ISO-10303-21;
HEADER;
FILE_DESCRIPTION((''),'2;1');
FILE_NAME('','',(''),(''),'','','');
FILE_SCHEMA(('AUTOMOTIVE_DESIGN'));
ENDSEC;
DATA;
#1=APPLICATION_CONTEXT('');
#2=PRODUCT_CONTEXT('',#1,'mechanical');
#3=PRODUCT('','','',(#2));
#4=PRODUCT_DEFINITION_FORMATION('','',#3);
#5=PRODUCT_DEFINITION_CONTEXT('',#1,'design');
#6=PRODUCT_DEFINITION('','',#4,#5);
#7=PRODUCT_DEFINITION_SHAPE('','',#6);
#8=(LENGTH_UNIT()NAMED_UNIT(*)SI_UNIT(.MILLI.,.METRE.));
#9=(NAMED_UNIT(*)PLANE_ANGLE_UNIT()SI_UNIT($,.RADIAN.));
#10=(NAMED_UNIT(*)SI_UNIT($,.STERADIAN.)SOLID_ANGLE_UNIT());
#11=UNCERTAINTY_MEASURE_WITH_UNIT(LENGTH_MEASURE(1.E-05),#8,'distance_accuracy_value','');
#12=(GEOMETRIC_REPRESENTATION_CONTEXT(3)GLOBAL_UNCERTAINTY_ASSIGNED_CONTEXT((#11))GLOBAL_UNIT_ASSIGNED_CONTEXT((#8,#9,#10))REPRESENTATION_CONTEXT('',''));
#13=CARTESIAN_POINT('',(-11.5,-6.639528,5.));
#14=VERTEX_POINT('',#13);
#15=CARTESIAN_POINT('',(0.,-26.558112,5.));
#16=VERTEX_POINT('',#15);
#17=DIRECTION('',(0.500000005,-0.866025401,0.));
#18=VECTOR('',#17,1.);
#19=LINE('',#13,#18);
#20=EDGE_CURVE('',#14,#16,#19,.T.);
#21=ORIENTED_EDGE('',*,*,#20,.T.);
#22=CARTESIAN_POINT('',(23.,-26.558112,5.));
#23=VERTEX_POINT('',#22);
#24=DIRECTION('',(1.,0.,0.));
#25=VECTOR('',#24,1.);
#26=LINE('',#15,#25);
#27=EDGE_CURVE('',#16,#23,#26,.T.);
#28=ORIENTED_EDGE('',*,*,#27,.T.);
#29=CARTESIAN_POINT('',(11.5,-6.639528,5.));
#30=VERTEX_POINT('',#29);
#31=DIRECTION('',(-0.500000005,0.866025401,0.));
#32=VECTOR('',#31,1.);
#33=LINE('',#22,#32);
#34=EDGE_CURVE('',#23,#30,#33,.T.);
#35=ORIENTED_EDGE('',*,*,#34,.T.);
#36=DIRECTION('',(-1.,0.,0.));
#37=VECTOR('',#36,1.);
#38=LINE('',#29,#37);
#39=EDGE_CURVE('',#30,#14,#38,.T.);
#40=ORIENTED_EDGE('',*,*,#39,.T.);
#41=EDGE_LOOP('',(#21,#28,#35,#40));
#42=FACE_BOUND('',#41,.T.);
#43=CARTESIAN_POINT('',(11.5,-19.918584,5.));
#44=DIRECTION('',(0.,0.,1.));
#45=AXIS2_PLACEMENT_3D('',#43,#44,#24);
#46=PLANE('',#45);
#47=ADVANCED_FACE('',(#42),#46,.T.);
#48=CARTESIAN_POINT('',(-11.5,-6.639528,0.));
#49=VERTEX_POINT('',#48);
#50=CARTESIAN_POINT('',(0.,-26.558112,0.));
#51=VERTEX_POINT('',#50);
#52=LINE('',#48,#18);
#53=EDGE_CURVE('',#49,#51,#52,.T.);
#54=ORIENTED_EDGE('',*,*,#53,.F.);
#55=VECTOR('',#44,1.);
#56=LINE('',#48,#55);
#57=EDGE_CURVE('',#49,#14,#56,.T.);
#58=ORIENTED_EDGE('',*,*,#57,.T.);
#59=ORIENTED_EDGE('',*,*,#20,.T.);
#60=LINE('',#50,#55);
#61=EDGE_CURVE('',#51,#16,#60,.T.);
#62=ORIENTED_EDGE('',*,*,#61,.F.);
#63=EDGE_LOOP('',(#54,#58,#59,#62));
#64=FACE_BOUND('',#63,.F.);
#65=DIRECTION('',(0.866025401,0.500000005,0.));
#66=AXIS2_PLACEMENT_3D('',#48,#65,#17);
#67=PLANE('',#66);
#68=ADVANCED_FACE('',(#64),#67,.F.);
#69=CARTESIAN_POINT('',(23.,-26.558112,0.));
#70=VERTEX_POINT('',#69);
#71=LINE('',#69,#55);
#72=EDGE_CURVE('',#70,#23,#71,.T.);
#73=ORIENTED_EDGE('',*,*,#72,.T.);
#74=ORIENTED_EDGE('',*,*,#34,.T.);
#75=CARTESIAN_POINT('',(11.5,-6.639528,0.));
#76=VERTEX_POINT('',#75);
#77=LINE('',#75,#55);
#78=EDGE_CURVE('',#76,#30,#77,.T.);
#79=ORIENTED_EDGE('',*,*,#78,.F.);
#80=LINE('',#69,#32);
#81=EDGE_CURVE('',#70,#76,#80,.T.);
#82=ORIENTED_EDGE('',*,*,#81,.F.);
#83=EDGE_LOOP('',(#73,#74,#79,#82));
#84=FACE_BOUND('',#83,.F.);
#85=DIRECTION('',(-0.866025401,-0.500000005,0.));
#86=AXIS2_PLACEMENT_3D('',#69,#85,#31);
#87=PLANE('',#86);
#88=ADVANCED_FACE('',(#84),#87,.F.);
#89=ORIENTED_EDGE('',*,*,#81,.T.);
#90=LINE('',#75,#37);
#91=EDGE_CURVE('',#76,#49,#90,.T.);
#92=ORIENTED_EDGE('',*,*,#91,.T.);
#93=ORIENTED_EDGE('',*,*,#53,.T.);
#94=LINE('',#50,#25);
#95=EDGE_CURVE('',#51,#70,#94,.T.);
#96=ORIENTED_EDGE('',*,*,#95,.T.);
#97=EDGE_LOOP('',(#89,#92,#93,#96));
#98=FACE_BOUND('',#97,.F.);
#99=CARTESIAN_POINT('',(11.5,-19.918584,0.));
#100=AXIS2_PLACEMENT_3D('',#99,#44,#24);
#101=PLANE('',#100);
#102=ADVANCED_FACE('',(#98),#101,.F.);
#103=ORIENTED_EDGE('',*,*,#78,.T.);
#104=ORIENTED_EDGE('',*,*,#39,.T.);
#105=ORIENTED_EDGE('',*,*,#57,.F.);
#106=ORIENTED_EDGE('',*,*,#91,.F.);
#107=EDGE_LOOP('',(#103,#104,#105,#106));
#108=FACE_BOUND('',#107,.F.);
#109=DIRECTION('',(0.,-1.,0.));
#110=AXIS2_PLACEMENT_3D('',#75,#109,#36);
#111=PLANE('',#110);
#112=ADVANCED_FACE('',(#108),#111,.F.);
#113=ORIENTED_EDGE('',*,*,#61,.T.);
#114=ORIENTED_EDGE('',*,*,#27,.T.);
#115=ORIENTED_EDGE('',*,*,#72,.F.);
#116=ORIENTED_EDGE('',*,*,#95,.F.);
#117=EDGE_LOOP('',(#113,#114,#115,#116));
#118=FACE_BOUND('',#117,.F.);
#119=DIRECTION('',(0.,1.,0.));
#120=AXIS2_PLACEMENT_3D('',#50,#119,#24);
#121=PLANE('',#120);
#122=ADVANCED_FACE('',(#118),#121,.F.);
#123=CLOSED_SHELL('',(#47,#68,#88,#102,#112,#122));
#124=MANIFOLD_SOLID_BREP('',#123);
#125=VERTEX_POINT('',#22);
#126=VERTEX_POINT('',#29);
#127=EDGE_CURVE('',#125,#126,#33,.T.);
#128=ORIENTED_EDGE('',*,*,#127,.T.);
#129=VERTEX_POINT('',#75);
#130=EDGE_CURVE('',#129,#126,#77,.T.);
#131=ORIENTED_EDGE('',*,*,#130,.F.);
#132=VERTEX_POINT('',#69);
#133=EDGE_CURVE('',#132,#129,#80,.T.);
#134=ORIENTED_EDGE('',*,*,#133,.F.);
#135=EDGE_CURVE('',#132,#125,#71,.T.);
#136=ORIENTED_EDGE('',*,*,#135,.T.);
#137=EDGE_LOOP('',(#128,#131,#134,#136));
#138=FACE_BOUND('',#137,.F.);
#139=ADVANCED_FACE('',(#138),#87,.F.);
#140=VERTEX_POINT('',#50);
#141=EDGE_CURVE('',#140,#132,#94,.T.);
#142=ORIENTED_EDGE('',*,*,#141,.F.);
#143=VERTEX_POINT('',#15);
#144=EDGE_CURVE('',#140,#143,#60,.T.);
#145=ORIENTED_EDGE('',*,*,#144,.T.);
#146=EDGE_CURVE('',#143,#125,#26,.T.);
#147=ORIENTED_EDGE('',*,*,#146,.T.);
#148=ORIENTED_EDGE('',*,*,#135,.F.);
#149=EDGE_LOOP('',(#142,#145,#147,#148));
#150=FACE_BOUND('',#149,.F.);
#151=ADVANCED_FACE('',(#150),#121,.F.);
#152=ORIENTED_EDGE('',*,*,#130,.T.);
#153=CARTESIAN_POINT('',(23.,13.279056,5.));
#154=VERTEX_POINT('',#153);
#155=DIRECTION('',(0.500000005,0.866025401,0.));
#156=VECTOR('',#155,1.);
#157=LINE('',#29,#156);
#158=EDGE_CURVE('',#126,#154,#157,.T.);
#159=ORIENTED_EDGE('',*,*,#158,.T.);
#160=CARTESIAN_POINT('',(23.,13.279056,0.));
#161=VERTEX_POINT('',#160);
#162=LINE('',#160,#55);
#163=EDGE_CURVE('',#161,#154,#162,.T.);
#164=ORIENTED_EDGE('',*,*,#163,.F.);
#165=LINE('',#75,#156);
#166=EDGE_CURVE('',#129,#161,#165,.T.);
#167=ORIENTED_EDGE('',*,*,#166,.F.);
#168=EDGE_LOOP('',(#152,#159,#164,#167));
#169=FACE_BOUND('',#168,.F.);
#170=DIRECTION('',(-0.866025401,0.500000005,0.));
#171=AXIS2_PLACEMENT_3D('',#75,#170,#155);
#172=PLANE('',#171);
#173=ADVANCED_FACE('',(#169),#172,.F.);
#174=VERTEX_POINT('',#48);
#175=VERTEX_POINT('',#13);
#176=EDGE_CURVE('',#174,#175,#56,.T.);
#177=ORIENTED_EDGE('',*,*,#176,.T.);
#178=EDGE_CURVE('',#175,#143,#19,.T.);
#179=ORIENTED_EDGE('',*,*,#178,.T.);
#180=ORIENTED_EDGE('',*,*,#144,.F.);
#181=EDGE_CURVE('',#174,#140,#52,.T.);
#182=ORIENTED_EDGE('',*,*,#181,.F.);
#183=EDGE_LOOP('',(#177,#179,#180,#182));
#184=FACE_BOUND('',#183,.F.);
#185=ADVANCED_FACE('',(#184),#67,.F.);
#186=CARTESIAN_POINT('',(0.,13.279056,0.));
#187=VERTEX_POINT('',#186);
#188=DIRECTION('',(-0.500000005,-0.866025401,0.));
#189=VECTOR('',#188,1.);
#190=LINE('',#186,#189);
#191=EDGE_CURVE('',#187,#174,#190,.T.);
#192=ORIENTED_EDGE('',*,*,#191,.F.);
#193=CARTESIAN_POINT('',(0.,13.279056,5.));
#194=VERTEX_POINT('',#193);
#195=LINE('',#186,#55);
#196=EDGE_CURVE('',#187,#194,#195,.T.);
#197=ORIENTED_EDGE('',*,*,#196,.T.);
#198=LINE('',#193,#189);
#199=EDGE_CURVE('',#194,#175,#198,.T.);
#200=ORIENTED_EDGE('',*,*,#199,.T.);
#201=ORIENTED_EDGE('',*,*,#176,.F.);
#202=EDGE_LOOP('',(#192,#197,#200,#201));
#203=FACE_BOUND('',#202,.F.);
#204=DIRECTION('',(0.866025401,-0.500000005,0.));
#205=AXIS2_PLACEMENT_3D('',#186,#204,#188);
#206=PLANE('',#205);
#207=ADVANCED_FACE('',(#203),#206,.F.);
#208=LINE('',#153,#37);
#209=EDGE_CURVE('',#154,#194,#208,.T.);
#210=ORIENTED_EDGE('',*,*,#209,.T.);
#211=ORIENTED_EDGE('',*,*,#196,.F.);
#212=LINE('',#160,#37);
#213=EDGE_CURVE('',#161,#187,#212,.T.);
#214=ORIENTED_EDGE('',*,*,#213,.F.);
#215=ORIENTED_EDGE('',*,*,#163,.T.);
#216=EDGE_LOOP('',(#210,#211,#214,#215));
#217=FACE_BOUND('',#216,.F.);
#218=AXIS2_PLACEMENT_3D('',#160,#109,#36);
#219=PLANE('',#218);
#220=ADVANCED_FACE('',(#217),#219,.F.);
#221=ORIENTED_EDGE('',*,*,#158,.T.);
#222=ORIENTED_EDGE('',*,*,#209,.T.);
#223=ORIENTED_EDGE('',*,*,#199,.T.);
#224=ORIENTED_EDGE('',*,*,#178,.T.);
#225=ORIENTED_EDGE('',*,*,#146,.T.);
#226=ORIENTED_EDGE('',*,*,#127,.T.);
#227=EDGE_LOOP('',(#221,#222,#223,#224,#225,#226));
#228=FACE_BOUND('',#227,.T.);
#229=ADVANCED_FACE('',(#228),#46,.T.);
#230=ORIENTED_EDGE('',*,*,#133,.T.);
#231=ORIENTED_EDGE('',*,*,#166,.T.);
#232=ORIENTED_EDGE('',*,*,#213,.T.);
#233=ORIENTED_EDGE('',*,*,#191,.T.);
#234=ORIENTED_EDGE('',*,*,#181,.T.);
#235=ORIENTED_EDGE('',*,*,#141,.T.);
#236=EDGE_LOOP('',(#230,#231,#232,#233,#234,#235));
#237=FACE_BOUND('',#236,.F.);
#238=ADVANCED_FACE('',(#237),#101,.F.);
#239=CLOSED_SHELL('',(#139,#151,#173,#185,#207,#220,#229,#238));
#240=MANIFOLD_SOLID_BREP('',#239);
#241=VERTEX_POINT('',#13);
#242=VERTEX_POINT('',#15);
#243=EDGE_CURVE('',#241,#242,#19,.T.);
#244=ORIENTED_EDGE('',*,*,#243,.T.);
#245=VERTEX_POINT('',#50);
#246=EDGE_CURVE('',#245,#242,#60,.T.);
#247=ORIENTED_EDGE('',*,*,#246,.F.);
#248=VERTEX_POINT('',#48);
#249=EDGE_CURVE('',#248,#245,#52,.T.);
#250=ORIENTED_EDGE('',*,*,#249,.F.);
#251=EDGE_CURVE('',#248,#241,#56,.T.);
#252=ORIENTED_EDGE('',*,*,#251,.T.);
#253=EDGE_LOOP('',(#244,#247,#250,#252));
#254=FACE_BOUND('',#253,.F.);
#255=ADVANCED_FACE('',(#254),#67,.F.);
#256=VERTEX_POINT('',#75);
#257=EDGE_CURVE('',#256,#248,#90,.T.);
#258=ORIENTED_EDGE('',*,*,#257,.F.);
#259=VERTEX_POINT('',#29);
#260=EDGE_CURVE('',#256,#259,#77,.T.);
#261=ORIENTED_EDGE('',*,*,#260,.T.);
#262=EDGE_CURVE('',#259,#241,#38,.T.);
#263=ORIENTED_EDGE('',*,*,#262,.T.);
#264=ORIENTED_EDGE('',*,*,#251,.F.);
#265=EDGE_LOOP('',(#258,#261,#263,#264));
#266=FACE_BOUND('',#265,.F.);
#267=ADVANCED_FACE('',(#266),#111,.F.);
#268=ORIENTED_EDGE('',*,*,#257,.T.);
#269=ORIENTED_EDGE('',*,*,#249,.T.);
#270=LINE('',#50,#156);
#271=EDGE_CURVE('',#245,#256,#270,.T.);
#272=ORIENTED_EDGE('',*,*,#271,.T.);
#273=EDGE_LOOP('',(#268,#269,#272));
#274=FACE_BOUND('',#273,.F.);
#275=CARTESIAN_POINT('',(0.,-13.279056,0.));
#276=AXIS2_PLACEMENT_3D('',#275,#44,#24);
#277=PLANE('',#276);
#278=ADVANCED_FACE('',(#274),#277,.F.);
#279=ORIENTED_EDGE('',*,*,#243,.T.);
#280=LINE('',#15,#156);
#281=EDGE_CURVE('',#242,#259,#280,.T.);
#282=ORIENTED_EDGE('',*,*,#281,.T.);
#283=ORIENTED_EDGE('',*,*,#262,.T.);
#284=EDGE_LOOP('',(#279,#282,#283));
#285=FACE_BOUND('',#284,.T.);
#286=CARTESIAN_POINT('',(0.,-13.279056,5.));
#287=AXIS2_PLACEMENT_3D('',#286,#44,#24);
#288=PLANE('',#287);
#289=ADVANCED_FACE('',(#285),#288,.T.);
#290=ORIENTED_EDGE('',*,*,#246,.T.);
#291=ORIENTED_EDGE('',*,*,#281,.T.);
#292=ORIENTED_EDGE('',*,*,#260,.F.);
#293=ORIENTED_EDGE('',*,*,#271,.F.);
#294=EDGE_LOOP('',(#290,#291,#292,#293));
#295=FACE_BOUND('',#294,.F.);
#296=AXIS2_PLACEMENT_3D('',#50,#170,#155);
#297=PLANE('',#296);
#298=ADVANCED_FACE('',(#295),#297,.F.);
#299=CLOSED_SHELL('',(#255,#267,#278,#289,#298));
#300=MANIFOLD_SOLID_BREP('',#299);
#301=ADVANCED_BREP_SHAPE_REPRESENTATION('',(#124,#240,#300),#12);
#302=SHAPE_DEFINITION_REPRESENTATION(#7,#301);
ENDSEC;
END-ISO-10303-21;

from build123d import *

# Parameters (mm, degrees)
F1_DEPTH = 5
F2_DEPTH = 5
F3_DEPTH = 5


with BuildPart() as f1:
    # F0 (on Top) → F1 (new body)
    with BuildSketch(Plane.XY):
        Polygon((23, -26.558112), (11.5, -6.639528), (0, -26.558112), align=None)
        Polygon((11.5, -6.639528), (0, 13.279056), (-11.5, -6.639528), align=None)
        Polygon((0, -26.558112), (11.5, -6.639528), (-11.5, -6.639528), align=None)
        Polygon((23, 13.279056), (0, 13.279056), (11.5, -6.639528), align=None)
    extrude(amount=F1_DEPTH)


with BuildPart() as f2:
    # F0 (on Top) → F2 (new body)
    with BuildSketch(Plane.XY):
        Polygon((23, -26.558112), (11.5, -6.639528), (0, -26.558112), align=None)
        Polygon((0, -26.558112), (11.5, -6.639528), (-11.5, -6.639528), align=None)
    extrude(amount=F2_DEPTH)


with BuildPart() as f3:
    # F0 (on Top) → F3 (new body)
    with BuildSketch(Plane.XY):
        Polygon((0, -26.558112), (11.5, -6.639528), (-11.5, -6.639528), align=None)
    extrude(amount=F3_DEPTH)


solid = Compound([f1.part, f2.part, f3.part])
